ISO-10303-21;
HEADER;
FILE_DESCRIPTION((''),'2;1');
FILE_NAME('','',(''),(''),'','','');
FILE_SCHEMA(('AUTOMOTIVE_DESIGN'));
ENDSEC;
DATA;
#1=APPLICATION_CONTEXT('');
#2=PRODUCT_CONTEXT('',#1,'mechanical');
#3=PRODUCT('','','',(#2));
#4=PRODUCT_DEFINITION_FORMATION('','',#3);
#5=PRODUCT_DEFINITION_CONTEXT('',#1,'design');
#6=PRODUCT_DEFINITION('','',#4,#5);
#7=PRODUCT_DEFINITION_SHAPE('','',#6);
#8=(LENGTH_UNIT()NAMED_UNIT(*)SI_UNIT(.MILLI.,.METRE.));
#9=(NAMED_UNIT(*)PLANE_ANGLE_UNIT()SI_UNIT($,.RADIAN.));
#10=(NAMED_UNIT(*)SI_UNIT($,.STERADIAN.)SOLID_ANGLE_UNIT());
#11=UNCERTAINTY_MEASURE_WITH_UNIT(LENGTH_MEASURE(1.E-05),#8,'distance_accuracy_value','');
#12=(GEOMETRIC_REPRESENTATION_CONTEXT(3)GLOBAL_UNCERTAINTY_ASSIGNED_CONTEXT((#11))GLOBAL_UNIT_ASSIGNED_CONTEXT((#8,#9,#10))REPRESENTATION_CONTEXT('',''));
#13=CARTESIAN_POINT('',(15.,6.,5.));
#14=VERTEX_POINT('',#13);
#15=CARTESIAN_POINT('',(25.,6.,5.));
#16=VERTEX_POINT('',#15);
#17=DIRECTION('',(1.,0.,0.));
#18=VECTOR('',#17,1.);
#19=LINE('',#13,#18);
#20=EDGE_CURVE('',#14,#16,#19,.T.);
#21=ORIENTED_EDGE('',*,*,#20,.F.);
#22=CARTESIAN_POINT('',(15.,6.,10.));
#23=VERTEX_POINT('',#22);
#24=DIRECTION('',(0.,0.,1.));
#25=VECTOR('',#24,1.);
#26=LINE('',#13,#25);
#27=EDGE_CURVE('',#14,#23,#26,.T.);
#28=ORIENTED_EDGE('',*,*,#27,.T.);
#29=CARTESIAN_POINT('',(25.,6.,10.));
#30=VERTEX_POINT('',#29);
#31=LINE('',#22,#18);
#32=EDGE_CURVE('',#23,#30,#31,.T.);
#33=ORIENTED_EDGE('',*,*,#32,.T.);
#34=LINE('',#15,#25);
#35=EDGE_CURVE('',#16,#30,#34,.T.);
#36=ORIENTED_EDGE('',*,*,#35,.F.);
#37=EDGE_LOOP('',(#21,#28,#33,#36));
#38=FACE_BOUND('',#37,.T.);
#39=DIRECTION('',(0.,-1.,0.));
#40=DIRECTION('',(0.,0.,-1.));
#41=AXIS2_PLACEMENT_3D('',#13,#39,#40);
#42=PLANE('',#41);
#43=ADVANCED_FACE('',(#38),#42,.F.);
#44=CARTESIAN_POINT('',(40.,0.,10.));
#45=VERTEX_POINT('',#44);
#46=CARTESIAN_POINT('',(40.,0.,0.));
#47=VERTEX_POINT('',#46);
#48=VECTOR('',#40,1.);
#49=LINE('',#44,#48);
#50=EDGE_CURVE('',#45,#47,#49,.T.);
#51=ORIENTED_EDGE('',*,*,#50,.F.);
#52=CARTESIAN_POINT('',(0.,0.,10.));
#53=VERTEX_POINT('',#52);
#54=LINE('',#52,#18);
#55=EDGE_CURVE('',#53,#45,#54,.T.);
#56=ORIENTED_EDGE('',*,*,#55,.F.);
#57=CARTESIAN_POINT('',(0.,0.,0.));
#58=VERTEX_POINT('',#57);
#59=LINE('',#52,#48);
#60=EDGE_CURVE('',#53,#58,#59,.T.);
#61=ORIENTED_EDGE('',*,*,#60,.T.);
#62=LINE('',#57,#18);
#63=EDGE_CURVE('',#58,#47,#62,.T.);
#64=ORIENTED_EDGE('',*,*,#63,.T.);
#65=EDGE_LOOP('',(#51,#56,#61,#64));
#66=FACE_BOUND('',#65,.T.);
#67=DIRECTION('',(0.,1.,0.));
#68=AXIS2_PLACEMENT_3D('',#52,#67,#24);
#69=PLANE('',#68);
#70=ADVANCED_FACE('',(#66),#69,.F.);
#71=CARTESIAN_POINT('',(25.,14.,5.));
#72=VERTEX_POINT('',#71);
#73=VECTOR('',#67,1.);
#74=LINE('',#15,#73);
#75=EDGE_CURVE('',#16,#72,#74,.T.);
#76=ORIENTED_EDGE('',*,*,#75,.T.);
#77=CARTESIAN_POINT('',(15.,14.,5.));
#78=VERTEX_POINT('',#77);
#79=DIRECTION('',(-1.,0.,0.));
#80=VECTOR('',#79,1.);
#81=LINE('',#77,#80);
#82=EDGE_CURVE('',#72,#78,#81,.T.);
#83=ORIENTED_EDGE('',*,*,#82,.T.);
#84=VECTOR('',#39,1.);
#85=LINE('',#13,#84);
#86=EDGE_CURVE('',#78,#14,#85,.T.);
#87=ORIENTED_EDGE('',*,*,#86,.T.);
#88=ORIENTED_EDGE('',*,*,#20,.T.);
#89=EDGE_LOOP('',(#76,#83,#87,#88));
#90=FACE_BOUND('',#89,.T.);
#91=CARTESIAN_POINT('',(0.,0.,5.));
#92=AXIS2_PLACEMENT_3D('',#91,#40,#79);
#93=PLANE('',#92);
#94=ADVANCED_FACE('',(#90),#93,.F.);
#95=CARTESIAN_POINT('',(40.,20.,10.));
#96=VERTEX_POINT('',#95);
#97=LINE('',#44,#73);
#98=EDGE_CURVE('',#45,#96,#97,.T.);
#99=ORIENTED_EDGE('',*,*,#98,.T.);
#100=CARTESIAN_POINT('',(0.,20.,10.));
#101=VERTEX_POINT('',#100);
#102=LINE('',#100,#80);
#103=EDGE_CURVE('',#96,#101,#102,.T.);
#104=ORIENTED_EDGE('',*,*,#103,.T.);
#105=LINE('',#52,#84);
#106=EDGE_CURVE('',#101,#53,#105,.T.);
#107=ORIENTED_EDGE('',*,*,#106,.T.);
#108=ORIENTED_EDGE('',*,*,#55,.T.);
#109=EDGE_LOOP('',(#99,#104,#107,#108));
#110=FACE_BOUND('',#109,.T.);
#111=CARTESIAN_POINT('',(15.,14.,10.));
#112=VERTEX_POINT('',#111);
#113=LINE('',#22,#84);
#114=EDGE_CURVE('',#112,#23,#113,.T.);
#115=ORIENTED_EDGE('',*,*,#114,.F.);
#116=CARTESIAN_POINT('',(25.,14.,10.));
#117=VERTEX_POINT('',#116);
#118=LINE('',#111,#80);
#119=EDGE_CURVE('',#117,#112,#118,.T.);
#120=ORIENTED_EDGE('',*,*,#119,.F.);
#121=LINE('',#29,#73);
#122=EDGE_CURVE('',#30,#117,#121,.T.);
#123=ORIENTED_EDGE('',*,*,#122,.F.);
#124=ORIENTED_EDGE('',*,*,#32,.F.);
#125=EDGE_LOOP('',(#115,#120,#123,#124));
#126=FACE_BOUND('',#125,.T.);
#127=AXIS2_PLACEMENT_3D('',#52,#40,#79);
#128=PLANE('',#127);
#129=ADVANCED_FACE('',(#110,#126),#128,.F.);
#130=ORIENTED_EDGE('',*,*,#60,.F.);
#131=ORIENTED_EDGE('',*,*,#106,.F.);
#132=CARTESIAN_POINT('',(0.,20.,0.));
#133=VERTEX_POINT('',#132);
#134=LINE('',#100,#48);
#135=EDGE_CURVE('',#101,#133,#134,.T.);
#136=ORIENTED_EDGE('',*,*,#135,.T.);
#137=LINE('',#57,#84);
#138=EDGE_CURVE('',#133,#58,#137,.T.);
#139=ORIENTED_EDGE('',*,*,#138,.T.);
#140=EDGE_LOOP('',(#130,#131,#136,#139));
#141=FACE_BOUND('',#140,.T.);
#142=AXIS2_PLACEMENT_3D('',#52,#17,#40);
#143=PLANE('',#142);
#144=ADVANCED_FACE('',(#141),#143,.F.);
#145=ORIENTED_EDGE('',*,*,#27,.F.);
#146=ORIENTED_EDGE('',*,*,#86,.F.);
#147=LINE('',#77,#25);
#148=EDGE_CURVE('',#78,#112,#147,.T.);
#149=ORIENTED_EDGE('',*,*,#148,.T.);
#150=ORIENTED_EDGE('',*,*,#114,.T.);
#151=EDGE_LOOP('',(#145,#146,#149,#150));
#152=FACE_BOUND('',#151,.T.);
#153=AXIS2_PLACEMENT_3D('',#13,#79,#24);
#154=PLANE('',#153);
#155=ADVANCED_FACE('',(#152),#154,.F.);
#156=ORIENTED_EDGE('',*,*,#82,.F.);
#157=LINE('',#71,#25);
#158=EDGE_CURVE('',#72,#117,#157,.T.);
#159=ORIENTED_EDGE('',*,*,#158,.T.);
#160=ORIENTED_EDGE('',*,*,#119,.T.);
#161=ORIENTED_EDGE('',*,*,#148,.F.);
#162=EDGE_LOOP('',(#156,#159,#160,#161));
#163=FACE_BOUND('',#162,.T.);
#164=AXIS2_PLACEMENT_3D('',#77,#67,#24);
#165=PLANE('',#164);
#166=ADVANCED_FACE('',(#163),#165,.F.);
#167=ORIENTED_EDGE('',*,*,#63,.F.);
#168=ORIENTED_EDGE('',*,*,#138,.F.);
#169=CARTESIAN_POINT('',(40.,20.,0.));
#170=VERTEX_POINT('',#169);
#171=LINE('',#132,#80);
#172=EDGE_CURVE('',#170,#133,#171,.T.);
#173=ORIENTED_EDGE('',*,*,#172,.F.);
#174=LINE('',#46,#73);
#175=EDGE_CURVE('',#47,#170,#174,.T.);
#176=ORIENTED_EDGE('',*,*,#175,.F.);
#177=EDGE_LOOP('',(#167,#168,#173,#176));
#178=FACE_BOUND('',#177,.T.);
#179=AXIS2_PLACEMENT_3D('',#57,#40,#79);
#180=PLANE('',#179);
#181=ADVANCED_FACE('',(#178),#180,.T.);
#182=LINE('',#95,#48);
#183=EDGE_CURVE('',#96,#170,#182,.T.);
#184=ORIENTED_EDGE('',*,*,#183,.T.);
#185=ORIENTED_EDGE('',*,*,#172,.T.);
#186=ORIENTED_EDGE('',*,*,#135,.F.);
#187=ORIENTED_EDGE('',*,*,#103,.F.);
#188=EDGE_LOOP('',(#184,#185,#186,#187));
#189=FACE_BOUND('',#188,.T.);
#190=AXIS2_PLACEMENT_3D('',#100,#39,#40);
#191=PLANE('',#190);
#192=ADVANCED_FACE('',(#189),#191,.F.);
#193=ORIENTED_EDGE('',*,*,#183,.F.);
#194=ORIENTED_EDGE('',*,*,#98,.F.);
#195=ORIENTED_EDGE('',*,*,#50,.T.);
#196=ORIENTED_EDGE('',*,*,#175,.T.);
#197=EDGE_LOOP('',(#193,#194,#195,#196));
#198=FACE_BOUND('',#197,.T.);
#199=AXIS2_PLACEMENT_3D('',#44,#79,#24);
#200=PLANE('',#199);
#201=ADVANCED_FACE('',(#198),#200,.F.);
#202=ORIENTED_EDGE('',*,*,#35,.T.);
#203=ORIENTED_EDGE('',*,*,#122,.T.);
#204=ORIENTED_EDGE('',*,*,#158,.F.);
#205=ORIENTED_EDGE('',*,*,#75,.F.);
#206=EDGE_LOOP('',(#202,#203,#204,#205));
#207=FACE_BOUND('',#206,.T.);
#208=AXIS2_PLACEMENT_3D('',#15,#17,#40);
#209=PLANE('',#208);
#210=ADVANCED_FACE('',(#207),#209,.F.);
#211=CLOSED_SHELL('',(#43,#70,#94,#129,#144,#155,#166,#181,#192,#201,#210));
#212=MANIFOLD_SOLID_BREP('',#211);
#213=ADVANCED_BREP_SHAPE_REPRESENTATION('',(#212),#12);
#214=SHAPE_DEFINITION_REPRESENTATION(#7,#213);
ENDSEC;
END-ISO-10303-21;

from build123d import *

# Parameters (mm, degrees)
RECTANGLESKETCH_W = 40
RECTANGLESKETCH_H = 20
BLINDBOSS_DEPTH   = 10
CUTSKETCH_W       = 10
CUTSKETCH_H       = 8
BLINDCUT_DEPTH    = 5


with BuildPart() as part:
    # RectangleSketch → BlindBoss (new body)
    with BuildSketch(Plane.XY):
        with Locations((20, 10)):
            Rectangle(RECTANGLESKETCH_W, RECTANGLESKETCH_H)
    extrude(amount=BLINDBOSS_DEPTH)

    # CutSketch → BlindCut (cut)
    with BuildSketch(Plane.XY.offset(10)):
        with Locations((20, 10)):
            Rectangle(CUTSKETCH_W, CUTSKETCH_H)
    extrude(amount=-BLINDCUT_DEPTH, mode=Mode.SUBTRACT)


solid = part.part
